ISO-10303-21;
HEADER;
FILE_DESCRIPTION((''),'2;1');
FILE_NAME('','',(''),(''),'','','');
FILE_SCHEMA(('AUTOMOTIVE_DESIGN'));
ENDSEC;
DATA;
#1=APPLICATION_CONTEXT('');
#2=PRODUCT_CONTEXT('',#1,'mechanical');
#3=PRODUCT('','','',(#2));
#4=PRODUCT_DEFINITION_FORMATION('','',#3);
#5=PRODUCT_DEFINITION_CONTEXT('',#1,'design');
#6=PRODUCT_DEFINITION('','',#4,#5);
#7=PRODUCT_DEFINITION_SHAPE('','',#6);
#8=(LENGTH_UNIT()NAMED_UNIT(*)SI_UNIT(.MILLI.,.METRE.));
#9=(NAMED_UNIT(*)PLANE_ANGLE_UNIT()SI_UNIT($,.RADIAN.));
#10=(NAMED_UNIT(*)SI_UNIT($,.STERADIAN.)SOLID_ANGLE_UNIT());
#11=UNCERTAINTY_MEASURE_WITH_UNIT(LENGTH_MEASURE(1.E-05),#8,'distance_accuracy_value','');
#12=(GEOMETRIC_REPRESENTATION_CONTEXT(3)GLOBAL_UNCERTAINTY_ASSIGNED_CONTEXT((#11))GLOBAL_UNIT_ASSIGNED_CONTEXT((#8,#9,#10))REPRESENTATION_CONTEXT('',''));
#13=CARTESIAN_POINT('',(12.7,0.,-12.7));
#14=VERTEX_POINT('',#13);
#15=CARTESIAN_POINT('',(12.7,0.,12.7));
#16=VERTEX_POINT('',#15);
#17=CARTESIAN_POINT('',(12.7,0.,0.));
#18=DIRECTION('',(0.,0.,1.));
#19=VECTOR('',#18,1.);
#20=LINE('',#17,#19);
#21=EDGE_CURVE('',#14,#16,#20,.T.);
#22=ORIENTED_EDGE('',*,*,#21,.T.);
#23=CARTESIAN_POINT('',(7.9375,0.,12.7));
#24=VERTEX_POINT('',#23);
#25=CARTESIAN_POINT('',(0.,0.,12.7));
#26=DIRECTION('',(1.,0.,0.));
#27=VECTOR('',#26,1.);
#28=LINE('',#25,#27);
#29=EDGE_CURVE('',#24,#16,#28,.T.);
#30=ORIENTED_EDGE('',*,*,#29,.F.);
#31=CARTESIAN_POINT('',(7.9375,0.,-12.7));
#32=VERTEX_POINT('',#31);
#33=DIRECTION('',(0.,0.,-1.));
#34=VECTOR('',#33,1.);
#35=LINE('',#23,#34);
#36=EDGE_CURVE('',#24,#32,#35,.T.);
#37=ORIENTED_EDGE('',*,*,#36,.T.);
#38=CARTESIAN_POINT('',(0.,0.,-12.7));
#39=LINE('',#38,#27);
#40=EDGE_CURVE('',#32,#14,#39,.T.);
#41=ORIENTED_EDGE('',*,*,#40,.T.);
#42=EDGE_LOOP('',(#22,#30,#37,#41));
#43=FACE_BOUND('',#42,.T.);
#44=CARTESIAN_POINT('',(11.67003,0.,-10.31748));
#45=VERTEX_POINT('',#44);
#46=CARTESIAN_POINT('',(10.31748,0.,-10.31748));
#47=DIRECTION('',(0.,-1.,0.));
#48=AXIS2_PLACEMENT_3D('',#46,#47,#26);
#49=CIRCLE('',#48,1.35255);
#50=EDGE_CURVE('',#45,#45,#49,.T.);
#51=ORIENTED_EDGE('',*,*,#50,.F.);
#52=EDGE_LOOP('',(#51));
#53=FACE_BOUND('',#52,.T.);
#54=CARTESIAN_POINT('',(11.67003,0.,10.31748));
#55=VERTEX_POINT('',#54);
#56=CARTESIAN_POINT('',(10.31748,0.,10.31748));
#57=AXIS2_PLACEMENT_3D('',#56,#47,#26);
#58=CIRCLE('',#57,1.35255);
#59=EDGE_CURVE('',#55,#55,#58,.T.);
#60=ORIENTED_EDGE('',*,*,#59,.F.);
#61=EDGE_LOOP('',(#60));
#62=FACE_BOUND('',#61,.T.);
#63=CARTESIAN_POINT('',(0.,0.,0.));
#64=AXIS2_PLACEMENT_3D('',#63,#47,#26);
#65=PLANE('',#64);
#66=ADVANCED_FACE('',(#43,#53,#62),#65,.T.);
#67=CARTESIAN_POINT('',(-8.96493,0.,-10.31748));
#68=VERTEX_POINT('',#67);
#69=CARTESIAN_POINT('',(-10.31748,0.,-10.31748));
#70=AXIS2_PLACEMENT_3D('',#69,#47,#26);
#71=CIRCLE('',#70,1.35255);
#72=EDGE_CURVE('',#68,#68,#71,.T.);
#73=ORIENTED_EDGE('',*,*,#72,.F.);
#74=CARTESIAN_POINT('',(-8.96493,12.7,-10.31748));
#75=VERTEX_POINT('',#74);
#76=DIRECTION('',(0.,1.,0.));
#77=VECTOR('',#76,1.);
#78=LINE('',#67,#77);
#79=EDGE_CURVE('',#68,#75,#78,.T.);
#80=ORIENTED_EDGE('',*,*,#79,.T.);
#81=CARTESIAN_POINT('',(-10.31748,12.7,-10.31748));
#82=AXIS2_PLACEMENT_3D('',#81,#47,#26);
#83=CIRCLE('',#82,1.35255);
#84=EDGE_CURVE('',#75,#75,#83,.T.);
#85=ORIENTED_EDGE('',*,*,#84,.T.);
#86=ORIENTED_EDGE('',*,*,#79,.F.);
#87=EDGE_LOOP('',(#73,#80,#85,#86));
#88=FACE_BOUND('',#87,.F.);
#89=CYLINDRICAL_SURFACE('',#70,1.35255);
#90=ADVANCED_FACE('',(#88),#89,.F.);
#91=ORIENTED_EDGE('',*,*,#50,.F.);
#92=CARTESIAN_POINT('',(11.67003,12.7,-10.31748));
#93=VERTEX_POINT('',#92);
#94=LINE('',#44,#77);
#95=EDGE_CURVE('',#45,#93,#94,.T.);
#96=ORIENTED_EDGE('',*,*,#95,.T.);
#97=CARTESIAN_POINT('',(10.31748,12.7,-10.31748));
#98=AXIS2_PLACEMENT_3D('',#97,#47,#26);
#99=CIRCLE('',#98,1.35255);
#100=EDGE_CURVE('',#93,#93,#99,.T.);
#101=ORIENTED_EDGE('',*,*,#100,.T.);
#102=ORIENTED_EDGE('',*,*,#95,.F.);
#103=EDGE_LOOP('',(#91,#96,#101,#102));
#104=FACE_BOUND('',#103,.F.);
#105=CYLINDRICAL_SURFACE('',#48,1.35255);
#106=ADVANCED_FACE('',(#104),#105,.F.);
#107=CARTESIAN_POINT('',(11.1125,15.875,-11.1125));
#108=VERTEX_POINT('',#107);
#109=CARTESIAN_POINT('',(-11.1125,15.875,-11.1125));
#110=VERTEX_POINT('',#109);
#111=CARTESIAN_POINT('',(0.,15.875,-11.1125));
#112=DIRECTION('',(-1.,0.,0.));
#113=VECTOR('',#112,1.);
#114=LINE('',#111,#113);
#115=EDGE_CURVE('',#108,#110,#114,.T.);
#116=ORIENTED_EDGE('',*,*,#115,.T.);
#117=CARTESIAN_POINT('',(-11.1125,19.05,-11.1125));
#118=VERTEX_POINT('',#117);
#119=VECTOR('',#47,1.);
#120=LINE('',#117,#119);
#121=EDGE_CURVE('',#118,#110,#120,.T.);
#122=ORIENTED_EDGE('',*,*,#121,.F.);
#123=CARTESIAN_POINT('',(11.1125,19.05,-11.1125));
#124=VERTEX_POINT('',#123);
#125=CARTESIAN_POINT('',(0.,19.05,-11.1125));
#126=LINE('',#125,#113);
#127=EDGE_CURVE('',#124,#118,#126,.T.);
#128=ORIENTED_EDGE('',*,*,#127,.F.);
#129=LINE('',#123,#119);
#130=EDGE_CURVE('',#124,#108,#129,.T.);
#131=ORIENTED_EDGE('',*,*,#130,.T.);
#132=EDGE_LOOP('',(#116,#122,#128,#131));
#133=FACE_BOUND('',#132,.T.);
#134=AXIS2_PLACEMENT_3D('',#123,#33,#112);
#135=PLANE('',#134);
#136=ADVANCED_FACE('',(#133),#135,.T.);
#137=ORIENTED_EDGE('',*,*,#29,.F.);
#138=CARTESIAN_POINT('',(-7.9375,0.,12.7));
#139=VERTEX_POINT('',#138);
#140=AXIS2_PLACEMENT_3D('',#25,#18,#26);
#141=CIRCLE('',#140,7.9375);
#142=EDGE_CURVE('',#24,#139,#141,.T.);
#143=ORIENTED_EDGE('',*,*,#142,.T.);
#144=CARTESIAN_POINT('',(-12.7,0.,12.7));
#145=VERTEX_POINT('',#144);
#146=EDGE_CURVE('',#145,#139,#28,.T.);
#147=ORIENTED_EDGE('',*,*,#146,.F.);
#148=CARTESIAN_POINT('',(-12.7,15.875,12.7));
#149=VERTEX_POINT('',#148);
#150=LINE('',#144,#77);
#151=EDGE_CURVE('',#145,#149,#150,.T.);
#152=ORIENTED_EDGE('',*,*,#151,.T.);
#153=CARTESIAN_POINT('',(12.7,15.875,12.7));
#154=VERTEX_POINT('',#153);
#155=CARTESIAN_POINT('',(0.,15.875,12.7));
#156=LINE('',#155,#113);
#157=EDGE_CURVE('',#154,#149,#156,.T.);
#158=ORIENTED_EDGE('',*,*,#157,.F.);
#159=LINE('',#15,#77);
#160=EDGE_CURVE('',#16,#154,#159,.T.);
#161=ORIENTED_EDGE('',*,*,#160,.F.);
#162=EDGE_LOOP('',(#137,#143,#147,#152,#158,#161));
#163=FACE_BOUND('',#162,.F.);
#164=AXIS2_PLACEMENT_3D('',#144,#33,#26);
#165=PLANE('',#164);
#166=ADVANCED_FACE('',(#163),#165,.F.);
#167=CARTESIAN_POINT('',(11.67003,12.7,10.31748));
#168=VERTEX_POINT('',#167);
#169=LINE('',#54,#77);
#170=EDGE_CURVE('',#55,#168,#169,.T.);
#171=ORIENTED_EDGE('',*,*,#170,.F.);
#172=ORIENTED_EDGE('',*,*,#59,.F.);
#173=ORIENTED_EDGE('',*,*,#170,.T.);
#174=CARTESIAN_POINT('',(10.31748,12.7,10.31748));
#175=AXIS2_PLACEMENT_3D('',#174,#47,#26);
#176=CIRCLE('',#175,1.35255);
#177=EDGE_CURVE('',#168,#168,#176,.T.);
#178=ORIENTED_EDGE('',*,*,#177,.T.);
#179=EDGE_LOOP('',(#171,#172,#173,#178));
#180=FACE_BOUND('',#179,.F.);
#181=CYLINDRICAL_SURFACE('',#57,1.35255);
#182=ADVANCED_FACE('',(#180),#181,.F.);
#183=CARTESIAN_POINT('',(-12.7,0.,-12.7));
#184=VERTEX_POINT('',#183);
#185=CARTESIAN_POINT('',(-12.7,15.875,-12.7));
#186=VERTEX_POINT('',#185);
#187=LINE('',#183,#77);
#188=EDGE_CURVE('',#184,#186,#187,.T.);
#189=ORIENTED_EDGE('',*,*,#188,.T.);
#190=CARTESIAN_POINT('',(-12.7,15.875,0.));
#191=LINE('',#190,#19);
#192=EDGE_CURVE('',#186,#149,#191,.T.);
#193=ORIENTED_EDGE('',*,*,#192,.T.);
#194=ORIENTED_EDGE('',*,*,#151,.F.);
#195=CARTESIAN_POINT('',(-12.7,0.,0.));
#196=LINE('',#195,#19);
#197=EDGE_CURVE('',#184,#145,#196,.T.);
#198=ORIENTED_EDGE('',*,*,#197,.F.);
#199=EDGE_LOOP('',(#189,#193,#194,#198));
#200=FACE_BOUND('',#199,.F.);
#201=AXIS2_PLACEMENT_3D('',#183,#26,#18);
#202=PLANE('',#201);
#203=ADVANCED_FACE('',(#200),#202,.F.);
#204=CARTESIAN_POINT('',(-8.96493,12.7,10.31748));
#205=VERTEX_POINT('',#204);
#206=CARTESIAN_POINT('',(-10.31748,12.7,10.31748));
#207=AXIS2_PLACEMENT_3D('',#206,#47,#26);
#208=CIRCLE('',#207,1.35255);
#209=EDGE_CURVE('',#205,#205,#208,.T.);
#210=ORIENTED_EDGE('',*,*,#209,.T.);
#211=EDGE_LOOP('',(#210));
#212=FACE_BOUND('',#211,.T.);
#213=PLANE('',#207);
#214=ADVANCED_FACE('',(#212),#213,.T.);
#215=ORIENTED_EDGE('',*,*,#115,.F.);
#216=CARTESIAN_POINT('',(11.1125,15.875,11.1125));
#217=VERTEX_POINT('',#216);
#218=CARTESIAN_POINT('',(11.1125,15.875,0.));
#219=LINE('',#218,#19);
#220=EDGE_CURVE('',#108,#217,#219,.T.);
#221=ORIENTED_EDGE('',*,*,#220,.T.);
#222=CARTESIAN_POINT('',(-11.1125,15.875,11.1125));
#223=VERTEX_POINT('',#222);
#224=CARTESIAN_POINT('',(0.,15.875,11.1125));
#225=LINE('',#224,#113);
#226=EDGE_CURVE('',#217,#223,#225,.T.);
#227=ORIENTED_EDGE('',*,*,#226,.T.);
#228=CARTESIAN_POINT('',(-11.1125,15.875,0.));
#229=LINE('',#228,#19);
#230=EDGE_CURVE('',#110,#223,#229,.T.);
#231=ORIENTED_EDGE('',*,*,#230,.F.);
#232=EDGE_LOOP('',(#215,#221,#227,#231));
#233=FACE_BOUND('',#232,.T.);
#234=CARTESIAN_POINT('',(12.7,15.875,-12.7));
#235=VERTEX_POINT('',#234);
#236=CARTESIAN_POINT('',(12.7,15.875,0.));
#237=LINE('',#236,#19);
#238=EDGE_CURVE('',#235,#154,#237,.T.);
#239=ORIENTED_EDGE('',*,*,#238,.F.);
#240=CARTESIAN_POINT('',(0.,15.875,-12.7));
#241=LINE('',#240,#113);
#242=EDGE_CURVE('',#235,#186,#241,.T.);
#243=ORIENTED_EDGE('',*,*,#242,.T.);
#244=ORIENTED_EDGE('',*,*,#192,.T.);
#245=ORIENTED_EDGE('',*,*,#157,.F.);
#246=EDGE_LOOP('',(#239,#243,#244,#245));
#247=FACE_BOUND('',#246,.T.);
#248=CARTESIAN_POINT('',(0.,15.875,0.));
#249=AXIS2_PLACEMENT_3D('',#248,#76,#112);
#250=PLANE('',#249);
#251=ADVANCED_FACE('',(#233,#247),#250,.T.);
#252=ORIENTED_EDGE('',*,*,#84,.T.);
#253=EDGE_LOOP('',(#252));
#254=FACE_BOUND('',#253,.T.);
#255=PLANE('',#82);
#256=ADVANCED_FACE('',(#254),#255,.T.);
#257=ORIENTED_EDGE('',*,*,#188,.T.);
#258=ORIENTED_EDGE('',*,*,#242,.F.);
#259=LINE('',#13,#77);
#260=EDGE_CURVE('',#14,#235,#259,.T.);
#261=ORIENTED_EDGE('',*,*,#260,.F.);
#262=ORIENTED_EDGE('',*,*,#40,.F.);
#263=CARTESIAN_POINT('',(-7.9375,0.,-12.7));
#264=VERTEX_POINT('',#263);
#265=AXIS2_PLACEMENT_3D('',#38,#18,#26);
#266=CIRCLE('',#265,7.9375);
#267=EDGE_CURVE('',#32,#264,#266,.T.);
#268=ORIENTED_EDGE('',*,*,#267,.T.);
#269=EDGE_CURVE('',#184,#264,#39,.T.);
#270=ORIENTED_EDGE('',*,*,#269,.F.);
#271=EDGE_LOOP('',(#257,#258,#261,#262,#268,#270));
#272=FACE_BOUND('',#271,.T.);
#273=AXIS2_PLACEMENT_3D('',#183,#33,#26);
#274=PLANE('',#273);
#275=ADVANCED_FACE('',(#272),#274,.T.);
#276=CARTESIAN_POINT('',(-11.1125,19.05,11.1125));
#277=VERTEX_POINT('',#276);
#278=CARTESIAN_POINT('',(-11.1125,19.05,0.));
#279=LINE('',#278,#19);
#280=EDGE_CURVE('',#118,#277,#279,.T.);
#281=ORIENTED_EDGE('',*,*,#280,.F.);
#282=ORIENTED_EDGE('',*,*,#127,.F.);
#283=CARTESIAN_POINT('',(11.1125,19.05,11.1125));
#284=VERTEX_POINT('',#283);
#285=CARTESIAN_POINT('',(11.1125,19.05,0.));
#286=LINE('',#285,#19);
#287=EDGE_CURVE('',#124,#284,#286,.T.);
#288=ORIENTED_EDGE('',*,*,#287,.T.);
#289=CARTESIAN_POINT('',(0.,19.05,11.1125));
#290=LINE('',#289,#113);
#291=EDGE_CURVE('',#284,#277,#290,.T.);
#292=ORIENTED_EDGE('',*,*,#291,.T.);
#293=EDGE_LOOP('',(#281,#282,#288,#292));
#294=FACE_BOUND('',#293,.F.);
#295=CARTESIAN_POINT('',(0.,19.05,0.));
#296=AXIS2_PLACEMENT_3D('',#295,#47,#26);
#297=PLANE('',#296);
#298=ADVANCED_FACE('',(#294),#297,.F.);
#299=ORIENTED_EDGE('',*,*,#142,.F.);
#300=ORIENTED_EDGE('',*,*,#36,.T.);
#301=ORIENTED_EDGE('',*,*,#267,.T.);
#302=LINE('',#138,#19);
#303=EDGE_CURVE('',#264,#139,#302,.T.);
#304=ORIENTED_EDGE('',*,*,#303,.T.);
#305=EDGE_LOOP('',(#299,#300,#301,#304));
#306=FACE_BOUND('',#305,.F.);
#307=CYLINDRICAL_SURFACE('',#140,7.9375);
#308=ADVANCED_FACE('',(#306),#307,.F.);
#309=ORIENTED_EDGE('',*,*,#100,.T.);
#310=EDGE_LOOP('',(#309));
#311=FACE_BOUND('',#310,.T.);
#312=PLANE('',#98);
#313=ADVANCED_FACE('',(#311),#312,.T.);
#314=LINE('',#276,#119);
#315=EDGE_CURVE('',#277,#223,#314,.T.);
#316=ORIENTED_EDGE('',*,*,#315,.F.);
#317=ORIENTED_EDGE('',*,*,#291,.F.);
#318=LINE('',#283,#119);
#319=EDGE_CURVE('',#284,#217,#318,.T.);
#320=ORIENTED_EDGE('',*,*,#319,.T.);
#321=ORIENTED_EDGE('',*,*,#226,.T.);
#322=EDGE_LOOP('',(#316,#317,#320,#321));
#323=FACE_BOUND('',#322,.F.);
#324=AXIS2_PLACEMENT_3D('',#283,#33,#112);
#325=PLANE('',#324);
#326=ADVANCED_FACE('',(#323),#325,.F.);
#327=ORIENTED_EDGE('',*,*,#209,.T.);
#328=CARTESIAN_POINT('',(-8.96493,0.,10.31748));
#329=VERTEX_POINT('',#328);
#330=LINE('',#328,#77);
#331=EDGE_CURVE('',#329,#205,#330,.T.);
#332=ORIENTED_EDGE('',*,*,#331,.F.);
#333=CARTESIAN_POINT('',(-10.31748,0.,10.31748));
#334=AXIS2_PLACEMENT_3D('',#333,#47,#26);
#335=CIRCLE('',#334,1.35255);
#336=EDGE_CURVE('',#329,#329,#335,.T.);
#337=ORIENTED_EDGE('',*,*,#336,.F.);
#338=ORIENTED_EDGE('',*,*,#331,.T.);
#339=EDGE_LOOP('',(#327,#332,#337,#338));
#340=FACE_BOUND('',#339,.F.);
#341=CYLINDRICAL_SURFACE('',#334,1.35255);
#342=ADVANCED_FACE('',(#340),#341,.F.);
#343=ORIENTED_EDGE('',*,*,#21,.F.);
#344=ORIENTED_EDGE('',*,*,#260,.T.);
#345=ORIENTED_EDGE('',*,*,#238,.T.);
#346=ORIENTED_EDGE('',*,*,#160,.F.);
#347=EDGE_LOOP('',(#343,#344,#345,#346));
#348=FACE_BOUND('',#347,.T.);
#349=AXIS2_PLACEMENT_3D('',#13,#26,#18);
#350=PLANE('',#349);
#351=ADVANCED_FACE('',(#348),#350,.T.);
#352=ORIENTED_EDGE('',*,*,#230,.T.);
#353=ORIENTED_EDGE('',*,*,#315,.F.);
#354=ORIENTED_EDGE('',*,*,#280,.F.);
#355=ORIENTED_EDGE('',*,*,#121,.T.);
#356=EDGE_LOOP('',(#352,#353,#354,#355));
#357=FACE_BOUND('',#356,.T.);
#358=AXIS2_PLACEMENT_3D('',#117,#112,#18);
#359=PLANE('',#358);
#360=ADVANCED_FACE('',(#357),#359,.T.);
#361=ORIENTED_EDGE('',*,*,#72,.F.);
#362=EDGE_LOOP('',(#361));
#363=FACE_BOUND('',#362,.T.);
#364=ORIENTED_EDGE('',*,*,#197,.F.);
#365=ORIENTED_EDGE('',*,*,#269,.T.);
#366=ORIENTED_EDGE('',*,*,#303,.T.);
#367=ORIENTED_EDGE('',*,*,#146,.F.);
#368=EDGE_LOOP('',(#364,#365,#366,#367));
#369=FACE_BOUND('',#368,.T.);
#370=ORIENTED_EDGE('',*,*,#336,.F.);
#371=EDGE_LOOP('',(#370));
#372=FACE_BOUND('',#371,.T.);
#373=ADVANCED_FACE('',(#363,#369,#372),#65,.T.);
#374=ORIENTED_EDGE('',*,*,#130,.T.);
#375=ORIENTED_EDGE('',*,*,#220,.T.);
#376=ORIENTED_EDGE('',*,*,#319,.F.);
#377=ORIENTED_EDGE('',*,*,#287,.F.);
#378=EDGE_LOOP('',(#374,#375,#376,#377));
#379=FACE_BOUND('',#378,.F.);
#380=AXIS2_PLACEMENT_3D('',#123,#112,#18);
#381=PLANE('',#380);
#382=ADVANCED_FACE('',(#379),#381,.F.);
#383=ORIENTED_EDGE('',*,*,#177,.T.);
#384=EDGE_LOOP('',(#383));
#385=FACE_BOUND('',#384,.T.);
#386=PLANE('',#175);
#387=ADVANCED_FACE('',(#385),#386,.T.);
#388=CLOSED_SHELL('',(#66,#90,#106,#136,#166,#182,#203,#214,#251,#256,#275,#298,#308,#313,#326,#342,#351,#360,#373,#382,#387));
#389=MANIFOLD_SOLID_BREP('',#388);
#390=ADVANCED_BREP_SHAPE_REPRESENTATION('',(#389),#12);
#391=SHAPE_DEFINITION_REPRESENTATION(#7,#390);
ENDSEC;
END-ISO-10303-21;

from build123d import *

# Parameters (mm, degrees)
F0_W     = 25.4
F0_H     = 25.4
F1_DEPTH = 19.05
F2_R     = 7.9375
F3_DEPTH = 25.401
F4_W     = 25.4
F4_H     = 25.4
F4_W_2   = 22.225
F4_H_2   = 22.225
F5_DEPTH = 3.175
F6_R     = 1.35255
F7_DEPTH = 12.7


with BuildPart() as f1:
    # F0 (on Front) → F1 (new body)
    with BuildSketch(Plane.XZ):
        Rectangle(F0_W, F0_H)
    extrude(amount=-F1_DEPTH)

    # F2 (on face) → F3 (cut, through all)
    with BuildSketch(Plane.XY.offset(12.7)):
        Circle(F2_R)
    extrude(amount=-F3_DEPTH, mode=Mode.SUBTRACT)

    # F4 (on face) → F5 (cut)
    with BuildSketch(Plane(origin=(0, 19.05, 0), x_dir=(-1, 0, 0), z_dir=(0, 1, 0))):
        Rectangle(F4_W, F4_H)
        Rectangle(F4_W_2, F4_H_2, mode=Mode.SUBTRACT)
    extrude(amount=-F5_DEPTH, mode=Mode.SUBTRACT)

    # F6 (on face) → F7 (cut)
    with BuildSketch(Plane.XZ):
        with Locations((-10.31748, 10.31748)):
            Circle(F6_R)
        with Locations((-10.31748, -10.31748)):
            Circle(F6_R)
        with Locations((10.31748, 10.31748)):
            Circle(F6_R)
        with Locations((10.31748, -10.31748)):
            Circle(F6_R)
    extrude(amount=-F7_DEPTH, mode=Mode.SUBTRACT)


solid = f1.part
